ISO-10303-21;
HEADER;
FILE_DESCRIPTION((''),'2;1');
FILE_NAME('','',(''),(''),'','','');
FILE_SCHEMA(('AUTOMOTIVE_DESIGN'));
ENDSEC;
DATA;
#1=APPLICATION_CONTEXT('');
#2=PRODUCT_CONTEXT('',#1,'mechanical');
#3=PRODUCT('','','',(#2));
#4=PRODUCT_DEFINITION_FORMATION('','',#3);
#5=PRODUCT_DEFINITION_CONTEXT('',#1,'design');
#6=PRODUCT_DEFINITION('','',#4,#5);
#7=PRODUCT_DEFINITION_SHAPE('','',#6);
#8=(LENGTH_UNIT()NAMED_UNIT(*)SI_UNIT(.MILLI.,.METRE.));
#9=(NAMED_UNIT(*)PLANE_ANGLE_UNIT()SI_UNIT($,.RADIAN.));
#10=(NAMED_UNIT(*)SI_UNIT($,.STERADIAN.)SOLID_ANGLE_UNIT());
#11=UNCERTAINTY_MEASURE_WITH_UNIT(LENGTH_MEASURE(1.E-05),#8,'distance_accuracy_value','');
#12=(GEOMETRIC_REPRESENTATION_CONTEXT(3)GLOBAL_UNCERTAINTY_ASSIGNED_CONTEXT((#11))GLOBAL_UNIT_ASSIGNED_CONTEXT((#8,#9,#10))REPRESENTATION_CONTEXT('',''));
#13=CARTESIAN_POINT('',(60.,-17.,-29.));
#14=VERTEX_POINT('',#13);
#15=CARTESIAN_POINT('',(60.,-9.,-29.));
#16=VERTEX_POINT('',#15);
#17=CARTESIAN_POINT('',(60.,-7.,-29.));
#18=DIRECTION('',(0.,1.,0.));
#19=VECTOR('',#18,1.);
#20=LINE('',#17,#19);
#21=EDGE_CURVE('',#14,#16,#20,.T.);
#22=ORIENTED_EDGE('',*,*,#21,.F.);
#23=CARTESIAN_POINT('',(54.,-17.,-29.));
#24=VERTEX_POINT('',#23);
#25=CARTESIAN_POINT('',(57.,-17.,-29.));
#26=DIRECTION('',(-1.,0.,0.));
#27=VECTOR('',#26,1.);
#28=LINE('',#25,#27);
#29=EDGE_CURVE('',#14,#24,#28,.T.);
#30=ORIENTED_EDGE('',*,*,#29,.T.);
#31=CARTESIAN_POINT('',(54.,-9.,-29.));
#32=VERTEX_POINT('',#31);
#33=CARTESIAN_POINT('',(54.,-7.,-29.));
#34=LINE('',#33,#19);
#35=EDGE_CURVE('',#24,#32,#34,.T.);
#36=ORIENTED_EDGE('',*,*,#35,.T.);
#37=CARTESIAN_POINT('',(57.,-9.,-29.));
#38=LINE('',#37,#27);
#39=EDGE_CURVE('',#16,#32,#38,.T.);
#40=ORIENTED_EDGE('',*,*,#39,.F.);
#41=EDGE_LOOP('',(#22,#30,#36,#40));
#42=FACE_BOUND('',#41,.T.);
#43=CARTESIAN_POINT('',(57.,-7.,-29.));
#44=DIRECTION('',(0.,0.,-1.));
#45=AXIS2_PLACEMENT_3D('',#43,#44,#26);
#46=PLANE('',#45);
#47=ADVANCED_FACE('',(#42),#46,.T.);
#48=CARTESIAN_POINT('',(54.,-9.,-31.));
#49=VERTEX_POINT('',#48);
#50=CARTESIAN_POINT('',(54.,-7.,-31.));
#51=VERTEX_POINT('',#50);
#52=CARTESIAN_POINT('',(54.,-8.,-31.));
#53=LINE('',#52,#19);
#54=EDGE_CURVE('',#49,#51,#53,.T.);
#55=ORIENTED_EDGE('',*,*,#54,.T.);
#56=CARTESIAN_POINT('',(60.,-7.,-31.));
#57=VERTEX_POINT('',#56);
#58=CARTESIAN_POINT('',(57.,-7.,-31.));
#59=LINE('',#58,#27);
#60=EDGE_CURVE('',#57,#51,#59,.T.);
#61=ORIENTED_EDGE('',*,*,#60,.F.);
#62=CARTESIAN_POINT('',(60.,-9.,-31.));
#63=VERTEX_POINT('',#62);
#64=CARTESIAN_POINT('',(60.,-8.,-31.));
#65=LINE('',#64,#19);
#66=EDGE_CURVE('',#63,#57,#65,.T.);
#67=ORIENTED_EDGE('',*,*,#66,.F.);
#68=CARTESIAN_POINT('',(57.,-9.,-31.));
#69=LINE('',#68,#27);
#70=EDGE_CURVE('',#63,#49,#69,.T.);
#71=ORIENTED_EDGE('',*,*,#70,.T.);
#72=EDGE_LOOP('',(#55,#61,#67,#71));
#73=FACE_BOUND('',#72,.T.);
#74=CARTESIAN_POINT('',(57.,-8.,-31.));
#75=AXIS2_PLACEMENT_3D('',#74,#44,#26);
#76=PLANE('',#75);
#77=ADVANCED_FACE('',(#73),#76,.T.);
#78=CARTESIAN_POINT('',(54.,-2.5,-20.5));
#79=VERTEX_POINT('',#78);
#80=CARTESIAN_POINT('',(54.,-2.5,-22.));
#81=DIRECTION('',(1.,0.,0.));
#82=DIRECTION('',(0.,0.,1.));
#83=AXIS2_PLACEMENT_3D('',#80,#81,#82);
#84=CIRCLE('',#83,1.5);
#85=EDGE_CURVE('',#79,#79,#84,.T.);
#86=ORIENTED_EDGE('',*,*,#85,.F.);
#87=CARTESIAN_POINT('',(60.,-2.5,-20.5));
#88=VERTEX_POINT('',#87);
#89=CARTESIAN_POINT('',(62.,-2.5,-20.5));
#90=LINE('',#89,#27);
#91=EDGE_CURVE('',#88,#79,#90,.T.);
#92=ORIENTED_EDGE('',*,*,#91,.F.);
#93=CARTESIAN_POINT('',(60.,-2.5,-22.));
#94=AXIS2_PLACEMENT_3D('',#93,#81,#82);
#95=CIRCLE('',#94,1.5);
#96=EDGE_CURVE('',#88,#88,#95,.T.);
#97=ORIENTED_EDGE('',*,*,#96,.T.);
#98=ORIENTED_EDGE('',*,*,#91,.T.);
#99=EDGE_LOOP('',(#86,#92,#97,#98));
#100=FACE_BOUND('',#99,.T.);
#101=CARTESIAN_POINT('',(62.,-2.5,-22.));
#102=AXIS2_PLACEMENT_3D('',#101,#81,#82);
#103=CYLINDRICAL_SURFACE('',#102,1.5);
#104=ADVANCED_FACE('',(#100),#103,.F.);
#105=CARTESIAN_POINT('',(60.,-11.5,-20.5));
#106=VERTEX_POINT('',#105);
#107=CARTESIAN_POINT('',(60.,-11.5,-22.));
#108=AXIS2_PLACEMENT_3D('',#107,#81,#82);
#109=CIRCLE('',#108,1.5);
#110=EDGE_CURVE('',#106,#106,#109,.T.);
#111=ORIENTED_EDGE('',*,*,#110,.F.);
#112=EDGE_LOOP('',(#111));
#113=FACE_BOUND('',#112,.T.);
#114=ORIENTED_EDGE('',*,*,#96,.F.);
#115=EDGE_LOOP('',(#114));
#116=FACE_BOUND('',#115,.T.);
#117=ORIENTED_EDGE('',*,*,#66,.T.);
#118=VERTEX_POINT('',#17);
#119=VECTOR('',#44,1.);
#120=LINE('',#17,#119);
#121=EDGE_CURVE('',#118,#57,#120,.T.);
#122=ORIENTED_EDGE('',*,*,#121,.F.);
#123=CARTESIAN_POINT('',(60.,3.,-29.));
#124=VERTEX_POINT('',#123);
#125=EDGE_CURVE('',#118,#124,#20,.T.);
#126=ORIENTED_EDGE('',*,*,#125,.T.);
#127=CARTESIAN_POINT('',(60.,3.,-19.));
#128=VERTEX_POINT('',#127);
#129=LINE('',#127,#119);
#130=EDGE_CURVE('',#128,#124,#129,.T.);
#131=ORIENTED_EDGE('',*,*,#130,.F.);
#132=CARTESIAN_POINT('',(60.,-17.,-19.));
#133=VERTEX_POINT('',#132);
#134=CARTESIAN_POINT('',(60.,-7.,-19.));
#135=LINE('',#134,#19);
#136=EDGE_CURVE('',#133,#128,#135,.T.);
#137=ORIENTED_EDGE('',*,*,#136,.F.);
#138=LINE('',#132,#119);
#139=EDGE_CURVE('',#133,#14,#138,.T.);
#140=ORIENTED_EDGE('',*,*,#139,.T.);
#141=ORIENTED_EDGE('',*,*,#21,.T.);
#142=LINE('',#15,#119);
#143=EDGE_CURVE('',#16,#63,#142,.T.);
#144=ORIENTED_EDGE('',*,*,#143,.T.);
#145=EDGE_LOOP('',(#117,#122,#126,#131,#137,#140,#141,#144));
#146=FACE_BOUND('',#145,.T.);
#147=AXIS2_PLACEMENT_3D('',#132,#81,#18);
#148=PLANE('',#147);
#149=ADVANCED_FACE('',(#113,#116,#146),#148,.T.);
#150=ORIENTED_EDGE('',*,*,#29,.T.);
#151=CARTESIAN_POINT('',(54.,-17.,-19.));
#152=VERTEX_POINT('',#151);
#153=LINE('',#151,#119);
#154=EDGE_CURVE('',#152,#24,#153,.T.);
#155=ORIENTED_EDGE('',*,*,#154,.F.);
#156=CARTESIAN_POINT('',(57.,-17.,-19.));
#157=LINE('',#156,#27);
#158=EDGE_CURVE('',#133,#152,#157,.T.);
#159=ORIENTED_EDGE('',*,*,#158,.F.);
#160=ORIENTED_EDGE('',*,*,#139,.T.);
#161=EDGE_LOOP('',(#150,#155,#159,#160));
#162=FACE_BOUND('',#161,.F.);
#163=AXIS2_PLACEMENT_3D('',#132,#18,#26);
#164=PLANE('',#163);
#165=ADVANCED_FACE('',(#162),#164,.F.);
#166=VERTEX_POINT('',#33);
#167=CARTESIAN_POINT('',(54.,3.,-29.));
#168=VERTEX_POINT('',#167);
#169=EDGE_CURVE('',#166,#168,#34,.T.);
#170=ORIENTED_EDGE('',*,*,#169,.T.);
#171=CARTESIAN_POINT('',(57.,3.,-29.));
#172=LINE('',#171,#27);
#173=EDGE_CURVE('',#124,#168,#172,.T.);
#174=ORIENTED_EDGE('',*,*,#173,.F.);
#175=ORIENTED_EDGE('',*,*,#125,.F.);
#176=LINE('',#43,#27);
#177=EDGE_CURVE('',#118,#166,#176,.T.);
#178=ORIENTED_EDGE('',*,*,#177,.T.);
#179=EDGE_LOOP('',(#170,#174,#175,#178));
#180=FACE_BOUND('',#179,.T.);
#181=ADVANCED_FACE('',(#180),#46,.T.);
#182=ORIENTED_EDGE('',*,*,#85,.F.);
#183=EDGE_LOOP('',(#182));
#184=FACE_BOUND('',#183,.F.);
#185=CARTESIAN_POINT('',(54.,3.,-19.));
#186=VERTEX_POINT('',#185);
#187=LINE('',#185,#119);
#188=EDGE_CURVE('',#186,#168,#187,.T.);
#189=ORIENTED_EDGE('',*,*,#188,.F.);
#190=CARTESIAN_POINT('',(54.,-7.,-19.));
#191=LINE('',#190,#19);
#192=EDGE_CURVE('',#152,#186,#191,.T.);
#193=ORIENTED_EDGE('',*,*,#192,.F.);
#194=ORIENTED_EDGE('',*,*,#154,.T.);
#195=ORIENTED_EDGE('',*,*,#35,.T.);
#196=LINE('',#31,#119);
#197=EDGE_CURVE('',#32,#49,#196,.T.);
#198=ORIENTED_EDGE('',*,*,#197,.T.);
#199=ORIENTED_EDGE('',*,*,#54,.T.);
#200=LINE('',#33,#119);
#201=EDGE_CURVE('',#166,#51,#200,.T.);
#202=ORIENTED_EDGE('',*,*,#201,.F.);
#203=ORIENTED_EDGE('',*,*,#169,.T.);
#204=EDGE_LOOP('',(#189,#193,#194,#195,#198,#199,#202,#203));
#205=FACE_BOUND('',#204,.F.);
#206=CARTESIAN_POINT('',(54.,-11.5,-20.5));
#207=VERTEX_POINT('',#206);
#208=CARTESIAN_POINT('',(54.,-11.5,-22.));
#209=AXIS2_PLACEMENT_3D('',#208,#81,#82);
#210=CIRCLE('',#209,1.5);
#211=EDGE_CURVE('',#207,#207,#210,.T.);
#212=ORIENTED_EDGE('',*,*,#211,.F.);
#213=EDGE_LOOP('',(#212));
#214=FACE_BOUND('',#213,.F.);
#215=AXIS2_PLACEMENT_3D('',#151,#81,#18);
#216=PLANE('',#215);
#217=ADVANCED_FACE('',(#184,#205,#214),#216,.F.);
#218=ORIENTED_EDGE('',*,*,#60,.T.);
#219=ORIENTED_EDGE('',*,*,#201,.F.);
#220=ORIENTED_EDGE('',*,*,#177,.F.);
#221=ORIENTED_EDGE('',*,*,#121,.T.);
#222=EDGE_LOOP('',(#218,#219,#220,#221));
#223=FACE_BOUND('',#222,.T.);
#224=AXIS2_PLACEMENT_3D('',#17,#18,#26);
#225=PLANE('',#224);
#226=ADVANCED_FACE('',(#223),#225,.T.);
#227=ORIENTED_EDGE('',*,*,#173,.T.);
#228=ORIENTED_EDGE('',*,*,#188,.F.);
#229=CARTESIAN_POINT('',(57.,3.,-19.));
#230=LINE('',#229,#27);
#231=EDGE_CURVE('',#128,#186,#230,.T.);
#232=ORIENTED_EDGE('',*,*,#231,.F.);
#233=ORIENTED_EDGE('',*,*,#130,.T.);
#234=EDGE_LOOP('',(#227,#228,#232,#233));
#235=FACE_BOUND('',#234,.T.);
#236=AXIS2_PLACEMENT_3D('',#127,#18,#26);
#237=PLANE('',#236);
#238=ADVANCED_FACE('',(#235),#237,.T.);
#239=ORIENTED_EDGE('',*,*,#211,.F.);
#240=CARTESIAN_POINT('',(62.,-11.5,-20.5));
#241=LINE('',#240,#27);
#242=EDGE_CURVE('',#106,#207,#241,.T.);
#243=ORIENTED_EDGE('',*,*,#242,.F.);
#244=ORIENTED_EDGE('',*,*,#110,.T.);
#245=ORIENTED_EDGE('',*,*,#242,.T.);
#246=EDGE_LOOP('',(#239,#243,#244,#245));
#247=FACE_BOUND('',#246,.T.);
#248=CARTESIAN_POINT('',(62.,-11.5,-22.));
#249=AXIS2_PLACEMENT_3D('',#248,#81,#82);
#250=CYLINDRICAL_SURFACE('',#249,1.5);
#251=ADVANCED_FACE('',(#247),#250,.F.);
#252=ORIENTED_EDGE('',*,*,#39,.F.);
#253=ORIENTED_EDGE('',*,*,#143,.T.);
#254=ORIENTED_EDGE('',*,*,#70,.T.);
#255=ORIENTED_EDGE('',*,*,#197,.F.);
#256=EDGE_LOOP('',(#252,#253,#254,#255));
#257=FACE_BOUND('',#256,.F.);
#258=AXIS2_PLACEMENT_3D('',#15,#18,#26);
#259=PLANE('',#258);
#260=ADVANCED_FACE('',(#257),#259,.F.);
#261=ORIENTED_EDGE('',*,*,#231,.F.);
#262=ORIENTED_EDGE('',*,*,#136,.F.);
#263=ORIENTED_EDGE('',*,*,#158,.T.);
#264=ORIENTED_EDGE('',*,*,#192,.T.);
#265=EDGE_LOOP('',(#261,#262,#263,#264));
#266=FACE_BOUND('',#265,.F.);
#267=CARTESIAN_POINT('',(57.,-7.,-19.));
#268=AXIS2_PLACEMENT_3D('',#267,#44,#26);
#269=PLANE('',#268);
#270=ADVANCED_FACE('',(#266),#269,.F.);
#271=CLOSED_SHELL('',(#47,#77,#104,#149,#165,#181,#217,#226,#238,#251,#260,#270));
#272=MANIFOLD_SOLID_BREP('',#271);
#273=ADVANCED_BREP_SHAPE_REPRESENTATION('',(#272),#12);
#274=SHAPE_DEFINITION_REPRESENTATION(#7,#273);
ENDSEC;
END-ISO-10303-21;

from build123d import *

# Parameters (mm, degrees)
CYLINDER033_R           = 1.5
CYLINDER033_DEPTH       = 10
ARRAY001016_Y_COUNT     = 2
ARRAY001016_Y_PITCH     = 9
BOX016_W                = 6
BOX016_H                = 20
BOX016_DEPTH            = 10
BOX017_W                = 6
BOX017_H                = 2
BOX017_DEPTH            = 2
BODY006_PLACEMENT_ANGLE = 180


with BuildPart() as end_stop_hole_array:
    # Cylinder033 → Cylinder033 (new body)
    with BuildSketch(Plane(origin=(-2, 5.5, 3), x_dir=(0, 0, -1), z_dir=(1, 0, 0))):
        Circle(CYLINDER033_R)
    extrude(amount=CYLINDER033_DEPTH)

    # Array001016 Y: end stop hole array ×2


with BuildPart() as end_stop_hole_array_1:
    add(end_stop_hole_array.part)
    with Locations(*[(0, i * ARRAY001016_Y_PITCH, 0) for i in range(1, ARRAY001016_Y_COUNT)]):
        add(end_stop_hole_array.part)


with BuildPart() as end_stop_body_cube:
    # Box016 → Box016 (new body)
    with BuildSketch(Plane.XY):
        with Locations((3, 10)):
            Rectangle(BOX016_W, BOX016_H)
    extrude(amount=BOX016_DEPTH)


with BuildPart() as end_stop_clone001:
    # Box017 → Box017 (new body)
    with BuildSketch(Plane(origin=(0, 8, 10), x_dir=(1, 0, 0), z_dir=(0, 0, 1))):
        with Locations((3, 1)):
            Rectangle(BOX017_W, BOX017_H)
    extrude(amount=BOX017_DEPTH)

    # Fusion011: union end stop body cube
    add(end_stop_body_cube.part)

    # Cut013: cut end stop hole array
    add(end_stop_hole_array_1.part, mode=Mode.SUBTRACT)


with BuildPart() as end_stop_clone001_1:
    # Body006 placement: moved
    add(end_stop_clone001.part.moved(Location((60, -17, -19))).rotate(Axis((60, -17, -19), (0, 1, 0)), BODY006_PLACEMENT_ANGLE))


solid = end_stop_clone001_1.part
